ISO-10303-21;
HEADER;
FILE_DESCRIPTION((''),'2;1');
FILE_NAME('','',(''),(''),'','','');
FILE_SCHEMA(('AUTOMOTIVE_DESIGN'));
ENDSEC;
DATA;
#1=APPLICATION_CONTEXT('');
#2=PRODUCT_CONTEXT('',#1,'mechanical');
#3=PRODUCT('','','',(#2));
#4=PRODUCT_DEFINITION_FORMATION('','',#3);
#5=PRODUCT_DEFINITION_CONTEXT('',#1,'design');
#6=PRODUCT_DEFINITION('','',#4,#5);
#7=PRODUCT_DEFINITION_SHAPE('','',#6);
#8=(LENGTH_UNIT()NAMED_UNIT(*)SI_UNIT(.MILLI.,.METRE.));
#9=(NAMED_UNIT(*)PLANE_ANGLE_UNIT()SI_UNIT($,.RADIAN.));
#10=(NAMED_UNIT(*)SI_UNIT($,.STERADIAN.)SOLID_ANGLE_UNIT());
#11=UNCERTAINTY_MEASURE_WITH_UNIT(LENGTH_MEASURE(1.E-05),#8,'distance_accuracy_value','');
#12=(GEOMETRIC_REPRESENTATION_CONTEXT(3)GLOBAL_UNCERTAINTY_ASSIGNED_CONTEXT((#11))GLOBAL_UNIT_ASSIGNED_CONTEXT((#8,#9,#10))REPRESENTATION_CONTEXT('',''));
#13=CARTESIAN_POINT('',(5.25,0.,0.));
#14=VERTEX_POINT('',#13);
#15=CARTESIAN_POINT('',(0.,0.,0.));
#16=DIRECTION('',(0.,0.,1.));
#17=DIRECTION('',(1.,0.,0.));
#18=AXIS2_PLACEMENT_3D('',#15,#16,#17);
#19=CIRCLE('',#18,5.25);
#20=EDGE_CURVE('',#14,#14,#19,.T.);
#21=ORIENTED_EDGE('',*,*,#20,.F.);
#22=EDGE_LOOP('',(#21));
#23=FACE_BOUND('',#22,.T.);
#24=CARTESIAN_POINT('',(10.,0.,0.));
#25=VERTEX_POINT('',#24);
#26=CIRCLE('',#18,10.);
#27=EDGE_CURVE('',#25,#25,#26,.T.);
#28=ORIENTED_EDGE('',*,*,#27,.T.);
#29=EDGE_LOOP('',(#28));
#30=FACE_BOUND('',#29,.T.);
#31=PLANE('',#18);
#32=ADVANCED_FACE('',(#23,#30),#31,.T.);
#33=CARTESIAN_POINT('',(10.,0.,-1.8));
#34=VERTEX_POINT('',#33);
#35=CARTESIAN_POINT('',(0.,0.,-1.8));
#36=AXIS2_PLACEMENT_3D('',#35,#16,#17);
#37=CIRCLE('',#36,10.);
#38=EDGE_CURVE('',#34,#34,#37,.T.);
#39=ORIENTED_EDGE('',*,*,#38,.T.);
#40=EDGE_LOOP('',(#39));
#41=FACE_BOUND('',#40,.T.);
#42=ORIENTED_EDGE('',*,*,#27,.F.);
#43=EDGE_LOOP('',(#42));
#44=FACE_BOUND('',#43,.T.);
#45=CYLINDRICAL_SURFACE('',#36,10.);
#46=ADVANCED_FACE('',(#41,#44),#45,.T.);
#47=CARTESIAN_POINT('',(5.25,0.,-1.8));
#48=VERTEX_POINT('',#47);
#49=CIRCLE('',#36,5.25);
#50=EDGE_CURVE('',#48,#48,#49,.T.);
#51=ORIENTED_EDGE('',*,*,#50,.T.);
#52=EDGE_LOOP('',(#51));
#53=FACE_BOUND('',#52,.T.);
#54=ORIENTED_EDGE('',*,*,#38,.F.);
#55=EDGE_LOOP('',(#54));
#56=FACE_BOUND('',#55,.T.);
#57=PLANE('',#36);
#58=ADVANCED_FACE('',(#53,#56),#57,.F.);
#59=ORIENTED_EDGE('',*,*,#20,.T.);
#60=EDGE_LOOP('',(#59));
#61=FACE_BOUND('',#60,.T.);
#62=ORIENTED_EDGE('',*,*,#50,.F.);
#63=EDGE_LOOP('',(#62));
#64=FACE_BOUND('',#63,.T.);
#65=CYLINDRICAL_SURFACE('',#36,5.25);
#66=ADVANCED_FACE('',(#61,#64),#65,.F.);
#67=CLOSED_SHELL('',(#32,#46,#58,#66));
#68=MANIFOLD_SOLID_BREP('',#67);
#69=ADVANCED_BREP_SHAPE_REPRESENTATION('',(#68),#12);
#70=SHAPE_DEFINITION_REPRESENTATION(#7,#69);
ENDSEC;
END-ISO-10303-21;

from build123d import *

# Parameters (mm, degrees)
SKETCH1_R      = 10
SKETCH1_R_2    = 5.25
EXTRUDE1_DEPTH = 1.8


with BuildPart() as part:
    # Sketch1 → Extrude1 (new body)
    with BuildSketch(Plane.XY):
        Circle(SKETCH1_R)
        Circle(SKETCH1_R_2, mode=Mode.SUBTRACT)
    extrude(amount=-EXTRUDE1_DEPTH)


solid = part.part
